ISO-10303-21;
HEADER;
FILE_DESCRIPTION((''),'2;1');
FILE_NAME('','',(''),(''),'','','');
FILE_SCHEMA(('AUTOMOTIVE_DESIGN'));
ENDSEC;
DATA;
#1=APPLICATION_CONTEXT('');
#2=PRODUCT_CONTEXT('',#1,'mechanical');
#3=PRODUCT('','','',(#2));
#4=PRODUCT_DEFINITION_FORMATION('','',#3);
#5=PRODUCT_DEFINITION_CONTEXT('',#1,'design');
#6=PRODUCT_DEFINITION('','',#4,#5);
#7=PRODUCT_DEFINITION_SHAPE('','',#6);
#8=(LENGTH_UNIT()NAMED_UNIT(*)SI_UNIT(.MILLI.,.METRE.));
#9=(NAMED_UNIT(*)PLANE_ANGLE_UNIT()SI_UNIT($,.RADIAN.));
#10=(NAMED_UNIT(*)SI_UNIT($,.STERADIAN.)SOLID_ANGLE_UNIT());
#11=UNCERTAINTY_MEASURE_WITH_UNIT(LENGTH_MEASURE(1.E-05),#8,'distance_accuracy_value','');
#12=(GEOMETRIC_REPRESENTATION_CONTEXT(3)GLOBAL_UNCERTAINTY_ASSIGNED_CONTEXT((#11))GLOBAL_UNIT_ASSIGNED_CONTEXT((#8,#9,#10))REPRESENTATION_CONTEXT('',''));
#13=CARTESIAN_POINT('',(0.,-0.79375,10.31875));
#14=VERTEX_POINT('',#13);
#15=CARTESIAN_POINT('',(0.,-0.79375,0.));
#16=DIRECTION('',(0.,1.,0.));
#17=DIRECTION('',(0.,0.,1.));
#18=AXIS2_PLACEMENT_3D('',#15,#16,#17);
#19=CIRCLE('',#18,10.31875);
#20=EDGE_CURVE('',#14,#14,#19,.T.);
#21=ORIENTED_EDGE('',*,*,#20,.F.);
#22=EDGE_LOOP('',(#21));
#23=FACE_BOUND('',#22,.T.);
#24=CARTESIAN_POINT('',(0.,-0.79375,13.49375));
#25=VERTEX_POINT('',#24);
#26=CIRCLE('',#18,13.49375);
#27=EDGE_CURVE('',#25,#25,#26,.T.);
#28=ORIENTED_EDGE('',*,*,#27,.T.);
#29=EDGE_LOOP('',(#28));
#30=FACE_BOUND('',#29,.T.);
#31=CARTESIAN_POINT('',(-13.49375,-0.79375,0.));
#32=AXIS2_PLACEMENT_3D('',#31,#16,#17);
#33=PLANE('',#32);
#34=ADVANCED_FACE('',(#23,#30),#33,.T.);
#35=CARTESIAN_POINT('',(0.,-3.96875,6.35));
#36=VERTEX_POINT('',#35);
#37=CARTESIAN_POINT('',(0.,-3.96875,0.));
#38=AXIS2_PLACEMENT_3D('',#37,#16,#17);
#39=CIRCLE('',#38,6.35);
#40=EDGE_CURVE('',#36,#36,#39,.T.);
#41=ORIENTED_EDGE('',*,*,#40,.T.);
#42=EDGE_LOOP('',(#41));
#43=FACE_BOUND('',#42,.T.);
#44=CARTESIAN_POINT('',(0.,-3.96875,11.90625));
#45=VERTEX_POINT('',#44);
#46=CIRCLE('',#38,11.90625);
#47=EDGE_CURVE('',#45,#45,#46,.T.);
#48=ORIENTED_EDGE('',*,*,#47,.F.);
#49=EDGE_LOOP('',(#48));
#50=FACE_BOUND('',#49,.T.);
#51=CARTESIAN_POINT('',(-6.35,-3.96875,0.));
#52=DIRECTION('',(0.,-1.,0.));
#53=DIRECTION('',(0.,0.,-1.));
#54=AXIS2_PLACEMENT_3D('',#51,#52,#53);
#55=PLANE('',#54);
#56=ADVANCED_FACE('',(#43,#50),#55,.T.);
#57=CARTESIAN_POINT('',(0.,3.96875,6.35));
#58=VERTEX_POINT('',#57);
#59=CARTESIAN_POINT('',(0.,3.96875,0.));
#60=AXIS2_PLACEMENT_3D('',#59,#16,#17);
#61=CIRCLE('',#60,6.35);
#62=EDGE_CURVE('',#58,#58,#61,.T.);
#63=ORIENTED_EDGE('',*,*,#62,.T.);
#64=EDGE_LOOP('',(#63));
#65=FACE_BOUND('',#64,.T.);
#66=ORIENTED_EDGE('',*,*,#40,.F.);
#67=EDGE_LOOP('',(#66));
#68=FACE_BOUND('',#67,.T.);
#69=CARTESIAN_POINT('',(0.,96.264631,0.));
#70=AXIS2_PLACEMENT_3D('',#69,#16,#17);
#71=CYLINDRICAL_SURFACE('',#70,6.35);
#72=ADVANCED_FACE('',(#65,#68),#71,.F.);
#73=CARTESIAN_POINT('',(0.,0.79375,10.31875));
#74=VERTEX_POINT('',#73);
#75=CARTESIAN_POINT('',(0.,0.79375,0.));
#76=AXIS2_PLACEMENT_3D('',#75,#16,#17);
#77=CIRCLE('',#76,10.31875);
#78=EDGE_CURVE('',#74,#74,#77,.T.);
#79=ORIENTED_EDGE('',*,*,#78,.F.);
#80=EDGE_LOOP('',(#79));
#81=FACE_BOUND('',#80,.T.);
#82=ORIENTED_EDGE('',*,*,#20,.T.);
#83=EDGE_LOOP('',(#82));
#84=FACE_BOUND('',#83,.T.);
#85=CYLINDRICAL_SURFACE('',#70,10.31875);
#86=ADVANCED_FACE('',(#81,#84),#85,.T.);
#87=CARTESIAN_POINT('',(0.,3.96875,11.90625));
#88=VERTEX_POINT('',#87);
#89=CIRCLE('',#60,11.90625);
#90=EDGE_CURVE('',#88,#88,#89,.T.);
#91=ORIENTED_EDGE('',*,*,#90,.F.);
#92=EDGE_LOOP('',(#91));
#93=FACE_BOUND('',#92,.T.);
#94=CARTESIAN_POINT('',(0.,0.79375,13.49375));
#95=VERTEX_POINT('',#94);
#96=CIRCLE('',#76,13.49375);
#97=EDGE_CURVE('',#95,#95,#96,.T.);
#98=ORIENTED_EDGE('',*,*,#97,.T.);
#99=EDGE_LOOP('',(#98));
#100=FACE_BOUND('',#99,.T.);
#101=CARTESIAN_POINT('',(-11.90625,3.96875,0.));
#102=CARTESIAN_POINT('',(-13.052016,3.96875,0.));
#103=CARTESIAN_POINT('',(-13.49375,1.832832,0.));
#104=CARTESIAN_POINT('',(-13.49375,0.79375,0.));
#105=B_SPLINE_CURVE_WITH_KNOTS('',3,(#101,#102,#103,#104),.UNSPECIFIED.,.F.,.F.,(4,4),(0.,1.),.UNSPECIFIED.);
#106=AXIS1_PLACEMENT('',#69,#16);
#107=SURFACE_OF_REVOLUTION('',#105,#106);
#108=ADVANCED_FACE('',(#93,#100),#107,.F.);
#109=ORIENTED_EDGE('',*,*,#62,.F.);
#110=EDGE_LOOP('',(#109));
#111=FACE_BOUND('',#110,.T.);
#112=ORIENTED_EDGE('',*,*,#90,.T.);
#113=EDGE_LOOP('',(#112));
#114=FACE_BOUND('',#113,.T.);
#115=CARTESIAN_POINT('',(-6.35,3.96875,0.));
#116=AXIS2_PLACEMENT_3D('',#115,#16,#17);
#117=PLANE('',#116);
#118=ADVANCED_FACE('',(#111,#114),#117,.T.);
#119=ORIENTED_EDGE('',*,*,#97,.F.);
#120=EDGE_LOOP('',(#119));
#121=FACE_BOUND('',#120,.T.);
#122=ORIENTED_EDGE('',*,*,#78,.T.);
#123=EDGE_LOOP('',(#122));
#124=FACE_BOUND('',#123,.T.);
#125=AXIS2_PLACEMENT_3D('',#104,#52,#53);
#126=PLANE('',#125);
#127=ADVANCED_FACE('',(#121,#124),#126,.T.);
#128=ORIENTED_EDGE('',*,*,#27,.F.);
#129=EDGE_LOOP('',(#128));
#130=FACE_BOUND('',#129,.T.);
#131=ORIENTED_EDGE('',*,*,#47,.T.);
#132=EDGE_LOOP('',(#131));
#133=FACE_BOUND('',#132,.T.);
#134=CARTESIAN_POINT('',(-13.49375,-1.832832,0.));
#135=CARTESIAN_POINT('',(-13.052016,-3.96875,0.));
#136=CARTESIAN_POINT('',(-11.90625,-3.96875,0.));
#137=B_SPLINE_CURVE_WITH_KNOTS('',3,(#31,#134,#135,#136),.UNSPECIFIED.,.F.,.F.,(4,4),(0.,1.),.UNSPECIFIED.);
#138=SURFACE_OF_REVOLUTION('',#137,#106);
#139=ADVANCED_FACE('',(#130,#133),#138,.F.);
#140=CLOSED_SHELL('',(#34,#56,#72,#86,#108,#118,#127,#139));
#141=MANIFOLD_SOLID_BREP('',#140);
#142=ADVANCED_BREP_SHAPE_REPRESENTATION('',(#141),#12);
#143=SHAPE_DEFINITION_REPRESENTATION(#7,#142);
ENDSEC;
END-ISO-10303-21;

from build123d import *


with BuildPart() as part:
    # Sketch1 → Revolve1 (revolve)
    with BuildSketch(Plane.XY, mode=Mode.PRIVATE) as revolve1_sk:
        with BuildLine():
            Line((-6.35, 3.96875), (-6.35, -3.96875))
            Line((-6.35, -3.96875), (-11.90625, -3.96875))
            add(Edge.make_bspline(
                [(-11.90625, -3.96875), (-13.052015746, -3.96875), (-13.49375, -1.832832331), (-13.49375, -0.79375)],
                knots=[0, 0, 0, 0, 1, 1, 1, 1], degree=3))
            Line((-13.49375, -0.79375), (-10.31875, -0.79375))
            Line((-10.31875, -0.79375), (-10.31875, 0.79375))
            Line((-10.31875, 0.79375), (-13.49375, 0.79375))
            add(Edge.make_bspline(
                [(-11.90625, 3.96875), (-13.052015746, 3.96875), (-13.49375, 1.832832331), (-13.49375, 0.79375)],
                knots=[0, 0, 0, 0, 1, 1, 1, 1], degree=3))
            Line((-11.90625, 3.96875), (-6.35, 3.96875))
        make_face()
    revolve(revolve1_sk.sketch.rotate(Axis((0, 96.264631407, 0), (0, -1, 0)), 270), axis=Axis((0, 96.264631407, 0), (0, -1, 0)))


solid = part.part
